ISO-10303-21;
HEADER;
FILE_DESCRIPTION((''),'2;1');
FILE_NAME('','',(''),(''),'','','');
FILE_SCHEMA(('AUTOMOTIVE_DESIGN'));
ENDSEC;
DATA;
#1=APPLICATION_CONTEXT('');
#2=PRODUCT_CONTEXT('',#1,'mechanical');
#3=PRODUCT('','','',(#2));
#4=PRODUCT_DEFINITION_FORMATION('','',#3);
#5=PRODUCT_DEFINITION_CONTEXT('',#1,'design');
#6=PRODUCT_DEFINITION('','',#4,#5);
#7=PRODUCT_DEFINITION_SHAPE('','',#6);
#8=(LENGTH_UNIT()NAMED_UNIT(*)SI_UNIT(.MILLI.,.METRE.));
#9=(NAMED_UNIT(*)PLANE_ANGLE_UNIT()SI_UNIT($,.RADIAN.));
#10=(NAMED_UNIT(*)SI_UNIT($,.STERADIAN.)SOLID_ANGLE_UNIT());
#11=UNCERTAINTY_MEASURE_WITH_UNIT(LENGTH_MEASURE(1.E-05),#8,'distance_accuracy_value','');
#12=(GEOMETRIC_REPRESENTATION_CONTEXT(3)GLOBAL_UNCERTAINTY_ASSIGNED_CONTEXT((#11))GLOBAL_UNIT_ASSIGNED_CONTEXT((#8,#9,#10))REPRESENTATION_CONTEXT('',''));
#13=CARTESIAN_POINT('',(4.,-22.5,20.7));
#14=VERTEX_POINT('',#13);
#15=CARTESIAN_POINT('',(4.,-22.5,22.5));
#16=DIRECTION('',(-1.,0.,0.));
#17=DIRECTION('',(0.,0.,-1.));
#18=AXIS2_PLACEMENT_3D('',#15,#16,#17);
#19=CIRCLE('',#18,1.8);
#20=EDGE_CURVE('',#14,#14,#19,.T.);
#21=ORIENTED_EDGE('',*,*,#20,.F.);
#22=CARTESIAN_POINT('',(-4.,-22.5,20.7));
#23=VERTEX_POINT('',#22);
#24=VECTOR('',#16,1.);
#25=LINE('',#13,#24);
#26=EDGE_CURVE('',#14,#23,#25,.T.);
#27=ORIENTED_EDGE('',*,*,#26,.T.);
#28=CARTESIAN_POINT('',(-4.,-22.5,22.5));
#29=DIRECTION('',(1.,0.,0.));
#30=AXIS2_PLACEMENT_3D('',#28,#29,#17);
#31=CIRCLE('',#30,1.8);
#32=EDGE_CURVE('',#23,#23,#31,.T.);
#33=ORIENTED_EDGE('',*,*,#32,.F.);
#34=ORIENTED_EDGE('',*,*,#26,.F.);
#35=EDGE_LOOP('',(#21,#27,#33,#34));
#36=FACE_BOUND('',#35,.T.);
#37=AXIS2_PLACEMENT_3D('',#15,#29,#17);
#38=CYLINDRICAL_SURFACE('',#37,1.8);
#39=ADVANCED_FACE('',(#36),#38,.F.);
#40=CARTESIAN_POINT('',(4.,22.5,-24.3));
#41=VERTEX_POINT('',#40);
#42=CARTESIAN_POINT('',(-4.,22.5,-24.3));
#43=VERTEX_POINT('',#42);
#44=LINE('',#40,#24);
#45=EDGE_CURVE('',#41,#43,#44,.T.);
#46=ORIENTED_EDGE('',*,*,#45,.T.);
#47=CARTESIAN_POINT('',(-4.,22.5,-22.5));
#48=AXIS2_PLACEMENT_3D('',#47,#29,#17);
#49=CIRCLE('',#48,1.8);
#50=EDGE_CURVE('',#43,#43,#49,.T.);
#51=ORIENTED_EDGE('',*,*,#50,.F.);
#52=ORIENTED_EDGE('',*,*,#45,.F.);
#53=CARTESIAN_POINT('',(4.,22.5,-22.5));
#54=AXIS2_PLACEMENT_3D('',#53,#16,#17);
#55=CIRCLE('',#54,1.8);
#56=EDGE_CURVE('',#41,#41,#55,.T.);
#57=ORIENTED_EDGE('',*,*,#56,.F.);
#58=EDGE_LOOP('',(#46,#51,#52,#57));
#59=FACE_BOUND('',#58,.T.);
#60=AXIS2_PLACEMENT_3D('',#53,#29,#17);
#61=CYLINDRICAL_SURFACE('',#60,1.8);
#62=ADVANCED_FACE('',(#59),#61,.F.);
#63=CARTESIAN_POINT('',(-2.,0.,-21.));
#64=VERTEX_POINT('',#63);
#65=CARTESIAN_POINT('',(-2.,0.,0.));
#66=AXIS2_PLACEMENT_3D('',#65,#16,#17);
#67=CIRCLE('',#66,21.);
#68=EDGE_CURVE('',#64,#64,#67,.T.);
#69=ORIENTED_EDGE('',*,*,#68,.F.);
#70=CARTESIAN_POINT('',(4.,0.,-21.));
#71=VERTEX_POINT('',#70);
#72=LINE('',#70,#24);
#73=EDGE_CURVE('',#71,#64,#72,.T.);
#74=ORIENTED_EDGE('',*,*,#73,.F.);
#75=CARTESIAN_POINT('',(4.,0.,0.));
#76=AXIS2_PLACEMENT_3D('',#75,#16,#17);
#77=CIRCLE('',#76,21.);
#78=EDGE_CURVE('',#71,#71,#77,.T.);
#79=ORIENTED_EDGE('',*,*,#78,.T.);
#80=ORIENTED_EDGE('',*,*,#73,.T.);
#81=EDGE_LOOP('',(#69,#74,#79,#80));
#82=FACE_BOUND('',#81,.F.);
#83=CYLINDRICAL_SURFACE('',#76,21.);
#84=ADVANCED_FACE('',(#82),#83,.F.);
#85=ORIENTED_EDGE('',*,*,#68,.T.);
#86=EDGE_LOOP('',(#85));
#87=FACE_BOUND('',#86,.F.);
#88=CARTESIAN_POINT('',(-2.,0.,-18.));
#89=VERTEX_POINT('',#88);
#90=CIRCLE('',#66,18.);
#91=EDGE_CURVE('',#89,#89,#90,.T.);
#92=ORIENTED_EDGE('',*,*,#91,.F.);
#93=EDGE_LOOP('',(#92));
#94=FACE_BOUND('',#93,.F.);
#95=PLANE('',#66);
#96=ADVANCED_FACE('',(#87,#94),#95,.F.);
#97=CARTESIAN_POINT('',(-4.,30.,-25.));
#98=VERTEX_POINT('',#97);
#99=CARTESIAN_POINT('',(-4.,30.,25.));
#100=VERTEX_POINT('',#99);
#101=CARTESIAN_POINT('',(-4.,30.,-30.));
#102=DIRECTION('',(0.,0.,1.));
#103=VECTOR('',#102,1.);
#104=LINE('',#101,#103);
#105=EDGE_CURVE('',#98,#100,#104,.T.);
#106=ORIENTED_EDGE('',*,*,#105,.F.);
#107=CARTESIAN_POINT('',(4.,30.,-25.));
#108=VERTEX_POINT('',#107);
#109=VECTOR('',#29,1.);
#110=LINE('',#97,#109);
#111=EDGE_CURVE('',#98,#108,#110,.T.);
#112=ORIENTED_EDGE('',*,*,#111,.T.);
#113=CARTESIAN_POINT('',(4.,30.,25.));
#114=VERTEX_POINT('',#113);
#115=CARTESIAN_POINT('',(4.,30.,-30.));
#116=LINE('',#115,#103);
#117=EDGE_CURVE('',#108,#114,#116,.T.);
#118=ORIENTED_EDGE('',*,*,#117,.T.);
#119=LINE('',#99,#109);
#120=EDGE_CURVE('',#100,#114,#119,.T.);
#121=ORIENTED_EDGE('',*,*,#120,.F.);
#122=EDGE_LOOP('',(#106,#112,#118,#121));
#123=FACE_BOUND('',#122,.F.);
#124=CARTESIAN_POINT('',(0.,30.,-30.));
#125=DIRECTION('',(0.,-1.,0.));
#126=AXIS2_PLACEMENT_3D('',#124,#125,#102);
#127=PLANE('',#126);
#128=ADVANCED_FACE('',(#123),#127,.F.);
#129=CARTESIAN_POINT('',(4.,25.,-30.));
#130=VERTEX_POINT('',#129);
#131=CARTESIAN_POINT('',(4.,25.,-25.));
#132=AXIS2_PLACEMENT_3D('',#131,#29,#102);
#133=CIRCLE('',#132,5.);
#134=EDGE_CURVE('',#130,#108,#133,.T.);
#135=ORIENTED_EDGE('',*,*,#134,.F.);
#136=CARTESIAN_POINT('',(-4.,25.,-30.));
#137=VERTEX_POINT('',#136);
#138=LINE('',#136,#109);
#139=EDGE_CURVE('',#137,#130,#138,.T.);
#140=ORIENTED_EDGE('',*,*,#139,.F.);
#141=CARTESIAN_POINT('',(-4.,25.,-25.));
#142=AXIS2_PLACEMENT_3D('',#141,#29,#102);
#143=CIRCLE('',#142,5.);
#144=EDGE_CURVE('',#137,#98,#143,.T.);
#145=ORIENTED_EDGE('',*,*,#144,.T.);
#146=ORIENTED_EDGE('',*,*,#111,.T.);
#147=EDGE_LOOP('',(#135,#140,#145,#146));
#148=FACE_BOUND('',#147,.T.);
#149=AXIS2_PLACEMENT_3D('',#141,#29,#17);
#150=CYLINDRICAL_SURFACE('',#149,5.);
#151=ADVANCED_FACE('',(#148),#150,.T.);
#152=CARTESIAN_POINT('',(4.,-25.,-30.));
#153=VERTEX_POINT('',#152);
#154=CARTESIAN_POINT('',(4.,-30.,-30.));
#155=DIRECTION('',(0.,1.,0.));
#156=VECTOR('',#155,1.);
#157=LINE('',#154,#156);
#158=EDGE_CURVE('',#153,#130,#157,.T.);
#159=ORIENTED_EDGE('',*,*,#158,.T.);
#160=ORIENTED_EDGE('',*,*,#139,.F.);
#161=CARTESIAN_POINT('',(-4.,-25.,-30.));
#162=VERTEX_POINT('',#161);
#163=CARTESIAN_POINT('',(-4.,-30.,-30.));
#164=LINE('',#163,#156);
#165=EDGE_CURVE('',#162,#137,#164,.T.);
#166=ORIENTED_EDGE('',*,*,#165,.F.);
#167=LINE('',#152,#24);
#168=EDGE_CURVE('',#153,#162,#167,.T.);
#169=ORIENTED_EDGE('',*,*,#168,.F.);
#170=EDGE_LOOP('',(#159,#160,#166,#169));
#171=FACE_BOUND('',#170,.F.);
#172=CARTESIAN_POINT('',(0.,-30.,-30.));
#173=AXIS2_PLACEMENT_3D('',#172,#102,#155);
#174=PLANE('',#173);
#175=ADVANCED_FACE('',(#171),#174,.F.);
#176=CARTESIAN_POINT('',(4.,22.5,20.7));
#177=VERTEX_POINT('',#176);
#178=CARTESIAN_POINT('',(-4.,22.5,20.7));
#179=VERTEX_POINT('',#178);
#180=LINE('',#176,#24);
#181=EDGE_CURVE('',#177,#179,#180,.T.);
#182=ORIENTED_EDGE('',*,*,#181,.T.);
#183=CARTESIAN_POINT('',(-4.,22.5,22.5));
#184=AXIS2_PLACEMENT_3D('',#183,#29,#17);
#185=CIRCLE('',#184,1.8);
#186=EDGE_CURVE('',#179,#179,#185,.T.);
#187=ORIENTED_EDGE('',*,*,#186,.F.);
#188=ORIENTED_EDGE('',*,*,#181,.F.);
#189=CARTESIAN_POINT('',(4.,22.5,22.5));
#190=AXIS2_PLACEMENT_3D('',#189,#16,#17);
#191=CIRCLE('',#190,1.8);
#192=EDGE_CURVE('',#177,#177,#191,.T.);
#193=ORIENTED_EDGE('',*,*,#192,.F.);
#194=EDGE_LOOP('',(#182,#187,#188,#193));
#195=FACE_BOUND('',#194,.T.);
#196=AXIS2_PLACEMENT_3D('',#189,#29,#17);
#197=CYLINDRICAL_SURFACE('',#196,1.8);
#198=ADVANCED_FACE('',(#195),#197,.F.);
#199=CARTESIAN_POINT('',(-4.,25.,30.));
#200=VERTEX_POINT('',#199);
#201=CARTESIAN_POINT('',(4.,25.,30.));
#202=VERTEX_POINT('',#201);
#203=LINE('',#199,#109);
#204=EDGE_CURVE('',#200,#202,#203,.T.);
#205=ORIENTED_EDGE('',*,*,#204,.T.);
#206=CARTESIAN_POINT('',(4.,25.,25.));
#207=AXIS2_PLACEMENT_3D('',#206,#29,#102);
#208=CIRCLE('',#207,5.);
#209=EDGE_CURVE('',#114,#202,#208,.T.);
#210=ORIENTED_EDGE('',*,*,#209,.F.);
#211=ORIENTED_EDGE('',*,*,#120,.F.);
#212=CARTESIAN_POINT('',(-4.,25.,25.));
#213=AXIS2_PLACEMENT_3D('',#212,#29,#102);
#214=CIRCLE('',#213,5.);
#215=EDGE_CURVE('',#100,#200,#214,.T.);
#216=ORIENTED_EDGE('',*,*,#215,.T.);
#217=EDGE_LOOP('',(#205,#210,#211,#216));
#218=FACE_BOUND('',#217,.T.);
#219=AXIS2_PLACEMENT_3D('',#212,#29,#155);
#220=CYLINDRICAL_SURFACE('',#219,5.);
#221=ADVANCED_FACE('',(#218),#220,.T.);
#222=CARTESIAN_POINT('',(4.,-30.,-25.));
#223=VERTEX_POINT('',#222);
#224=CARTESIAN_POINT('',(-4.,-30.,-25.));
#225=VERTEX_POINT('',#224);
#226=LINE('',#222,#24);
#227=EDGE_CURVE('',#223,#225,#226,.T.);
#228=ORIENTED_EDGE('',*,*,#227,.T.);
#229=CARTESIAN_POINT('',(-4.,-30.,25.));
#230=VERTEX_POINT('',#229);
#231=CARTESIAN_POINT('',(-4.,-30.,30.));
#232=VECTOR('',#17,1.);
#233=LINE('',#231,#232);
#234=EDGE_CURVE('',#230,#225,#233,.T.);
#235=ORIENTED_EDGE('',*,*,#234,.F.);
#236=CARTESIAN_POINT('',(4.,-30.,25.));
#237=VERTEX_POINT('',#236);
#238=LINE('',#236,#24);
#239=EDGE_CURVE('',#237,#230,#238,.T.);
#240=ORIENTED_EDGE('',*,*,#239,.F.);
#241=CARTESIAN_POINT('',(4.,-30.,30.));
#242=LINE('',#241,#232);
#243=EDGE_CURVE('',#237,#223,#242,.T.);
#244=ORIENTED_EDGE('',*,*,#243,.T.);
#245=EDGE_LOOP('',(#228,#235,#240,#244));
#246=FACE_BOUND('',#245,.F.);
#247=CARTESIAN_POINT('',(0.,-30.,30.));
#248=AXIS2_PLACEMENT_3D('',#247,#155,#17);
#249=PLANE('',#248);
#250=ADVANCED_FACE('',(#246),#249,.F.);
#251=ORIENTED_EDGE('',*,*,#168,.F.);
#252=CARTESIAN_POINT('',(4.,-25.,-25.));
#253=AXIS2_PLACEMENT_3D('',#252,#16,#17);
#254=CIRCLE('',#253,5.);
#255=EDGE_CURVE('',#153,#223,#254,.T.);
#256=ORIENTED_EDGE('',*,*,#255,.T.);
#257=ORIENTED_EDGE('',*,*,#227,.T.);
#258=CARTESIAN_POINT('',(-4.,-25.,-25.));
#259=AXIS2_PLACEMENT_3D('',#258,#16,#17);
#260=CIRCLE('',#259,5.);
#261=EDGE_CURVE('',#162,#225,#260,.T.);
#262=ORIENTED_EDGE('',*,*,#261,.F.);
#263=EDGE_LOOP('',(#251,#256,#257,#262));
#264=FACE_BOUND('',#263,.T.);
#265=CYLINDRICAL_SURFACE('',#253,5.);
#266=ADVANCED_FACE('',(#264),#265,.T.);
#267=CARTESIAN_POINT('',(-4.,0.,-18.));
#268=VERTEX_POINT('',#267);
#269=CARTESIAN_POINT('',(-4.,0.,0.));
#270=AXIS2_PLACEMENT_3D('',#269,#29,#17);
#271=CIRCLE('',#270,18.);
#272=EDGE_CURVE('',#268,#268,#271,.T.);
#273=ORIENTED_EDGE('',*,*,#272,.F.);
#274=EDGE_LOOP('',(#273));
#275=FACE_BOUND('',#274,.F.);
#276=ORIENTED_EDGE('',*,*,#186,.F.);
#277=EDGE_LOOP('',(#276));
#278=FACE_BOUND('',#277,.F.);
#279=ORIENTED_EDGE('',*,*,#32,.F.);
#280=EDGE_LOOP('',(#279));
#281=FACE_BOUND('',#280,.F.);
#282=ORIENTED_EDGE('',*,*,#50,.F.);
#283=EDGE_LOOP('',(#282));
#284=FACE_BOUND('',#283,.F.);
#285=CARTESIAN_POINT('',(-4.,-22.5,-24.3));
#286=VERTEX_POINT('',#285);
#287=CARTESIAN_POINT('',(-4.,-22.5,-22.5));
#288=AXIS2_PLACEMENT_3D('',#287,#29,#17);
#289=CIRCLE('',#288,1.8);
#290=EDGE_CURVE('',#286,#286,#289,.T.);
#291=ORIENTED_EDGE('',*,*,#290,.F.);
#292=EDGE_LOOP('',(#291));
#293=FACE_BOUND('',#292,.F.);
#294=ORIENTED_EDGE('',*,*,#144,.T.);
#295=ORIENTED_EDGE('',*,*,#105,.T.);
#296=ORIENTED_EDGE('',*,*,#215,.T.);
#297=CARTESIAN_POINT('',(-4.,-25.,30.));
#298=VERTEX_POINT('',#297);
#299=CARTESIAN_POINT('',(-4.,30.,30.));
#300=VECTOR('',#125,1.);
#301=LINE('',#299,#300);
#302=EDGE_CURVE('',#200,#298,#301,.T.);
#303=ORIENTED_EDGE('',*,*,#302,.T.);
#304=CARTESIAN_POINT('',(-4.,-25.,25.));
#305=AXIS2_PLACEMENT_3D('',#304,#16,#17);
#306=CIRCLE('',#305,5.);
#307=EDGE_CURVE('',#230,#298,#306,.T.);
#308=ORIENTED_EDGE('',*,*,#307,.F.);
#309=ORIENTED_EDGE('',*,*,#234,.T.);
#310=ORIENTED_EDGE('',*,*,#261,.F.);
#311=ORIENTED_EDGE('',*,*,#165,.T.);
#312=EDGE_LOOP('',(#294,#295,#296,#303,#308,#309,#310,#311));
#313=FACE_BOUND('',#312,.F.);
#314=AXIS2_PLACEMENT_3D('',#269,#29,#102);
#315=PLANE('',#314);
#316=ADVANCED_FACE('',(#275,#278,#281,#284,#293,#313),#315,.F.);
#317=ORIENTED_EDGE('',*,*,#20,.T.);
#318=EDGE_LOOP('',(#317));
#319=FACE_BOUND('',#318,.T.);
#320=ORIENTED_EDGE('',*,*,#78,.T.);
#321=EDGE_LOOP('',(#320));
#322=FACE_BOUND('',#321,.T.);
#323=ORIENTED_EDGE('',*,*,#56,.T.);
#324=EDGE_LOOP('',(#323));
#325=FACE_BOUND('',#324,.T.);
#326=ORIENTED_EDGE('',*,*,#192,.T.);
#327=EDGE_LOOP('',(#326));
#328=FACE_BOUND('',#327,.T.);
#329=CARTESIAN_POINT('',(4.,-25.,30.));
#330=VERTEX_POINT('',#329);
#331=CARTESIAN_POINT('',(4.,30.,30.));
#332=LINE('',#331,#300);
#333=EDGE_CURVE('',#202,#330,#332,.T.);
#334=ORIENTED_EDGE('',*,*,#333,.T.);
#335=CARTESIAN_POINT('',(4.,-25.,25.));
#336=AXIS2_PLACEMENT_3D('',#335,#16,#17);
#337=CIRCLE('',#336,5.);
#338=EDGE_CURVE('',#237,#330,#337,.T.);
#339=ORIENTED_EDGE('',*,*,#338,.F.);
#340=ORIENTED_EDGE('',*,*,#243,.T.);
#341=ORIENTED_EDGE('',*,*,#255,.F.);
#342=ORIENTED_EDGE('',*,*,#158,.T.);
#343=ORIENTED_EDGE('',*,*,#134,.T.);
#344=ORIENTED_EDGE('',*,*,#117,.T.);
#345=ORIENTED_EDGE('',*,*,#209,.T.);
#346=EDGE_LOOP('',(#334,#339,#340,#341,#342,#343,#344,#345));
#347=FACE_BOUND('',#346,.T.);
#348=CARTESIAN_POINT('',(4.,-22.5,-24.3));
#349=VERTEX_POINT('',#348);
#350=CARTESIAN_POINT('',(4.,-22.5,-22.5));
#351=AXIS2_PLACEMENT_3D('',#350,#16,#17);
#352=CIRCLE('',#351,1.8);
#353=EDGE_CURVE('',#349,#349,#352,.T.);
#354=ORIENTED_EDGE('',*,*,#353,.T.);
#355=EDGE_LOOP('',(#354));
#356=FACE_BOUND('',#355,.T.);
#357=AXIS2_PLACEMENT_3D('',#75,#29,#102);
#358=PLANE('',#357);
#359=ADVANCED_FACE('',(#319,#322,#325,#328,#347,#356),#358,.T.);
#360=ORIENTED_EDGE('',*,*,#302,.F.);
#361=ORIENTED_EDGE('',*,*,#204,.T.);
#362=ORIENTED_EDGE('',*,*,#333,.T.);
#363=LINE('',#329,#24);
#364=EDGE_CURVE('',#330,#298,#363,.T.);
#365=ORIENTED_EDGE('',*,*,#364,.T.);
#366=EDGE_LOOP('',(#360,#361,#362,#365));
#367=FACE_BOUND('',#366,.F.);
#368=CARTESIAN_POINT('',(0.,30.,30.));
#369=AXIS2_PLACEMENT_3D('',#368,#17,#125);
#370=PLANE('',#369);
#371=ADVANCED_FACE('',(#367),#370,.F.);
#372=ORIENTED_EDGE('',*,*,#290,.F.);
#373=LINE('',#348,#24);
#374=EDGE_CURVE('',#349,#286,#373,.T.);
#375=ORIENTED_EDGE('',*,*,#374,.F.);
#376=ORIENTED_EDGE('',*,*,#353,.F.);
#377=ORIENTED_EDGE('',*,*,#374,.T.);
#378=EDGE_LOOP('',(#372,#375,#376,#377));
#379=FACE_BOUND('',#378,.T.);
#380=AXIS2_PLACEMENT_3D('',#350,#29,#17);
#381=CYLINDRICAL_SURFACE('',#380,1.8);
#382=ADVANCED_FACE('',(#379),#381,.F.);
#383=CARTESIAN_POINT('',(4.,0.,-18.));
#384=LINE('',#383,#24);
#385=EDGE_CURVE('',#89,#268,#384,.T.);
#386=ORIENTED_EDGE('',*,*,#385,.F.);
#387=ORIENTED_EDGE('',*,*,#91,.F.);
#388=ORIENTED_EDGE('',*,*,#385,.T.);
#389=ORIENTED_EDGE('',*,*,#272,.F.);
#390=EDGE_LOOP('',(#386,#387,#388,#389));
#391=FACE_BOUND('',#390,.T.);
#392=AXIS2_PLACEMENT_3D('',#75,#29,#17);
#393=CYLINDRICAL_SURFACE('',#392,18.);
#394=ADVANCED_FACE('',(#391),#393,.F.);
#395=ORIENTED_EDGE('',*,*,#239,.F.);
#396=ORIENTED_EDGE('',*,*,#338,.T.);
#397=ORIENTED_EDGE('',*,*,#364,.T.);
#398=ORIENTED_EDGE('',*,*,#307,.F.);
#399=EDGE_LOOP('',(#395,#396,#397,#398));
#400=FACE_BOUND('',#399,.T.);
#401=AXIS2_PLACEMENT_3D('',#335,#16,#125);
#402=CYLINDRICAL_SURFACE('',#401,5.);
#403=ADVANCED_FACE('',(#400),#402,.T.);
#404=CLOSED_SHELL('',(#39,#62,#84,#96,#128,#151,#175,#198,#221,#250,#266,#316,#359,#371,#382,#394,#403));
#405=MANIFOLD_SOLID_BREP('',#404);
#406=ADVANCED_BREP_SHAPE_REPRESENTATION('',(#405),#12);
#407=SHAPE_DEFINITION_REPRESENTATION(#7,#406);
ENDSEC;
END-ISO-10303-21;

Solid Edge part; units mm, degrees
sketch "Sketch1" plane through (0, 0, 0) normal (1, 0, 0) x (0, 1, 0)
  line L0 (-30, -30) -> (30, -30)
  line L1 (30, -30) -> (30, 30)
  line L2 (30, 30) -> (-30, 30)
  line L3 (-30, 30) -> (-30, -30)
  dimension "D1" = 60
  dimension "D2" = 60
extrude "Protrusion1" add sketch "Sketch1" along normal mid plane 8
hole "Hole_1" at (4, -22.5, 22.5) direction (-1, 0, 0) diameter 3.6 end up to next
hole "Hole1" at (4, 22.5, 22.5) direction (-1, 0, 0) diameter 3.6 end up to next
hole "Hole2" at (4, 22.5, -22.5) direction (-1, 0, 0) diameter 3.6 end up to next
hole "Hole3" at (4, -22.5, -22.5) direction (-1, 0, 0) diameter 3.6 end up to next
hole "Hole_5" at (4, 0, 0) direction (-1, 0, 0) diameter 36 end up to next counterbore diameter 42 counterbore depth 6
fillet "Round_1" radius 5 4 edges at (0, 30, -30) (0, -30, -30) (0, -30, 30) (0, 30, 30)
properties material "Polyethylene, low density"
